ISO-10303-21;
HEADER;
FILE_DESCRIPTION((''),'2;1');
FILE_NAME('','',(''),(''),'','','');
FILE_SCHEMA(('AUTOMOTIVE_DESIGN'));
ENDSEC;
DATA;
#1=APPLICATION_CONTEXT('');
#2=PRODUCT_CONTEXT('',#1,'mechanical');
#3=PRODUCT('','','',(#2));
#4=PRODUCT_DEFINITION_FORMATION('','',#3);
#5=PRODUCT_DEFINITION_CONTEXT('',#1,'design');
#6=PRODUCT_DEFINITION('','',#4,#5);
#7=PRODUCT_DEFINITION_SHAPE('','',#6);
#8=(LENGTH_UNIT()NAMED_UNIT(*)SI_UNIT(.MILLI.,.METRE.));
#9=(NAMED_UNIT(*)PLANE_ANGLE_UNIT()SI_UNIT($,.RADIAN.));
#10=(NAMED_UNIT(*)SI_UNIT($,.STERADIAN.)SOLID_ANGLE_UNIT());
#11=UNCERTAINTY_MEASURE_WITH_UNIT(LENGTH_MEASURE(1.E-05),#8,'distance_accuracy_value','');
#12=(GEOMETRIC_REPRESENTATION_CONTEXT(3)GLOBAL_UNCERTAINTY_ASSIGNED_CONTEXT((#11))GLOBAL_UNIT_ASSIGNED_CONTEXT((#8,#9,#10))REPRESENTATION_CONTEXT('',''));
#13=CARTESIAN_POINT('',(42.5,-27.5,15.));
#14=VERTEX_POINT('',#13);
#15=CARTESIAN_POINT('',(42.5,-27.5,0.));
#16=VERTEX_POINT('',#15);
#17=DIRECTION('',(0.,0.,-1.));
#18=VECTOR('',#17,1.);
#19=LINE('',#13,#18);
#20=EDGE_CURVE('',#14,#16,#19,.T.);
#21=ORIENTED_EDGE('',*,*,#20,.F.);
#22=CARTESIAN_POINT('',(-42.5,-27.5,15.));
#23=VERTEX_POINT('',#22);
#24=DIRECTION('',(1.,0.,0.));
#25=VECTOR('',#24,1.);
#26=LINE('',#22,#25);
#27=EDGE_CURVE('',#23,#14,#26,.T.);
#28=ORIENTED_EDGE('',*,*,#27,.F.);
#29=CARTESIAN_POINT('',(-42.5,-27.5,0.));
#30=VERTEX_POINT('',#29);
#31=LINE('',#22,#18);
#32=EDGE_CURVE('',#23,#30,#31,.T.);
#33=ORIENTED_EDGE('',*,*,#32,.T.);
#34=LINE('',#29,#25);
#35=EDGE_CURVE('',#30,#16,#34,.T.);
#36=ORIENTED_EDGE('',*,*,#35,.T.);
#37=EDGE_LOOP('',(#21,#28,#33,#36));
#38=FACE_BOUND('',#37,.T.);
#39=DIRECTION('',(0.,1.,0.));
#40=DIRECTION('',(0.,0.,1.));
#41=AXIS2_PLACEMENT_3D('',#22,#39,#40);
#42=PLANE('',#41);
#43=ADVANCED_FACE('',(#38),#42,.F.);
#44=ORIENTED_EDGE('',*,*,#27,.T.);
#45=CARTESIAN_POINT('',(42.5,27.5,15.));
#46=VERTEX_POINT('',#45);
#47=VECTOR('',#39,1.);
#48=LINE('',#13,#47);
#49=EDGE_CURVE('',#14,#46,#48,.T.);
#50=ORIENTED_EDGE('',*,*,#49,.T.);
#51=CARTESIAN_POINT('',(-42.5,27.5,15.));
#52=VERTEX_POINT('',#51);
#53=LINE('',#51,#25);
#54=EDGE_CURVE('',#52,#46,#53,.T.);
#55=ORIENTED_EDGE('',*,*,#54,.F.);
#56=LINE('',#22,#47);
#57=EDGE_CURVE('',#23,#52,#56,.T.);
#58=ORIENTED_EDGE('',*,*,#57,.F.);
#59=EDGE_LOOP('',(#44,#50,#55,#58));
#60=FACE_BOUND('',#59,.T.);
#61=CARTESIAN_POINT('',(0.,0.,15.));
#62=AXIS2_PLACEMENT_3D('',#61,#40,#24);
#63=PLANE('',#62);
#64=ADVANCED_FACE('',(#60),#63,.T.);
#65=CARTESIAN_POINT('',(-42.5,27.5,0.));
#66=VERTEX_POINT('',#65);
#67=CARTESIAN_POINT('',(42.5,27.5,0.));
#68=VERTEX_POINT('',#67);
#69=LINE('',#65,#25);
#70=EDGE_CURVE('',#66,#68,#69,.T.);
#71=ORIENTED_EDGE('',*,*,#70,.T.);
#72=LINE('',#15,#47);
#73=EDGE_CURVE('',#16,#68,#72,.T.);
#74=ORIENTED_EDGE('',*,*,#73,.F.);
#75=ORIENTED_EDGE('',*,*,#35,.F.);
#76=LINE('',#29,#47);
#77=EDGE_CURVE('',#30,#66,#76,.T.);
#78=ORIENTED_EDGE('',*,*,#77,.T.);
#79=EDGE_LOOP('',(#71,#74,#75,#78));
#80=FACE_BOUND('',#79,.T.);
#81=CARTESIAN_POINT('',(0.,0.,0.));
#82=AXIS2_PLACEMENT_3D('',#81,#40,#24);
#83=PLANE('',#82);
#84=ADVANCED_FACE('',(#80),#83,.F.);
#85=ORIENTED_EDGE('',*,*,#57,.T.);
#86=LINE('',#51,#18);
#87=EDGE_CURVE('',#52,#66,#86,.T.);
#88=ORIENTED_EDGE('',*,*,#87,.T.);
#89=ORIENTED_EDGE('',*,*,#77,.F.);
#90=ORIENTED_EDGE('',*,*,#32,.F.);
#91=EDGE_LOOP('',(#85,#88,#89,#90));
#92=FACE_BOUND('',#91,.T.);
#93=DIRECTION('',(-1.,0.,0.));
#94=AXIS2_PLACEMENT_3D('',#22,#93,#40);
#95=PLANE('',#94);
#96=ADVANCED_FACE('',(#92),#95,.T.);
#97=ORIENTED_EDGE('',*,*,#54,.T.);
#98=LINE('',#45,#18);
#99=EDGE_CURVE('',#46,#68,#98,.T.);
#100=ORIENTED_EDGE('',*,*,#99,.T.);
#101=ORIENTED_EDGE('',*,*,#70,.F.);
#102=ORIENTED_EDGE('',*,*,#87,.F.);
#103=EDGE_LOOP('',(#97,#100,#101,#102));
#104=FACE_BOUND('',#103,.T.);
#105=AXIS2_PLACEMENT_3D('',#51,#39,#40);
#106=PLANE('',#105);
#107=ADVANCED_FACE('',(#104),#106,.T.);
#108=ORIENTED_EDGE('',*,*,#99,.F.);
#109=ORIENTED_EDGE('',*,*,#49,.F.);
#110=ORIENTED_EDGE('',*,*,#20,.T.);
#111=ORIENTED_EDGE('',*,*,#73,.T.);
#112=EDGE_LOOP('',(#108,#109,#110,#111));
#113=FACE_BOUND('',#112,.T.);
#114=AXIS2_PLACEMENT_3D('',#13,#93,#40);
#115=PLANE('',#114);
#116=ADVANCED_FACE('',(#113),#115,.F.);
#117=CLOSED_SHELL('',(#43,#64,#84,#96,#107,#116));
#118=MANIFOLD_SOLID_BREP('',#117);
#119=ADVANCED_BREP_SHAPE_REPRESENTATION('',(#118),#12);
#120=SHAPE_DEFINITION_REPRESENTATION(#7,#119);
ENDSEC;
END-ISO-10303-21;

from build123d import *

# Parameters (mm, degrees)
SKETCH1_W           = 85
SKETCH1_H           = 55
BOSS_EXTRUDE1_DEPTH = 15


with BuildPart() as part:
    # Sketch1 → Boss-Extrude1 (new body)
    with BuildSketch(Plane.XY):
        Rectangle(SKETCH1_W, SKETCH1_H)
    extrude(amount=BOSS_EXTRUDE1_DEPTH)


solid = part.part
